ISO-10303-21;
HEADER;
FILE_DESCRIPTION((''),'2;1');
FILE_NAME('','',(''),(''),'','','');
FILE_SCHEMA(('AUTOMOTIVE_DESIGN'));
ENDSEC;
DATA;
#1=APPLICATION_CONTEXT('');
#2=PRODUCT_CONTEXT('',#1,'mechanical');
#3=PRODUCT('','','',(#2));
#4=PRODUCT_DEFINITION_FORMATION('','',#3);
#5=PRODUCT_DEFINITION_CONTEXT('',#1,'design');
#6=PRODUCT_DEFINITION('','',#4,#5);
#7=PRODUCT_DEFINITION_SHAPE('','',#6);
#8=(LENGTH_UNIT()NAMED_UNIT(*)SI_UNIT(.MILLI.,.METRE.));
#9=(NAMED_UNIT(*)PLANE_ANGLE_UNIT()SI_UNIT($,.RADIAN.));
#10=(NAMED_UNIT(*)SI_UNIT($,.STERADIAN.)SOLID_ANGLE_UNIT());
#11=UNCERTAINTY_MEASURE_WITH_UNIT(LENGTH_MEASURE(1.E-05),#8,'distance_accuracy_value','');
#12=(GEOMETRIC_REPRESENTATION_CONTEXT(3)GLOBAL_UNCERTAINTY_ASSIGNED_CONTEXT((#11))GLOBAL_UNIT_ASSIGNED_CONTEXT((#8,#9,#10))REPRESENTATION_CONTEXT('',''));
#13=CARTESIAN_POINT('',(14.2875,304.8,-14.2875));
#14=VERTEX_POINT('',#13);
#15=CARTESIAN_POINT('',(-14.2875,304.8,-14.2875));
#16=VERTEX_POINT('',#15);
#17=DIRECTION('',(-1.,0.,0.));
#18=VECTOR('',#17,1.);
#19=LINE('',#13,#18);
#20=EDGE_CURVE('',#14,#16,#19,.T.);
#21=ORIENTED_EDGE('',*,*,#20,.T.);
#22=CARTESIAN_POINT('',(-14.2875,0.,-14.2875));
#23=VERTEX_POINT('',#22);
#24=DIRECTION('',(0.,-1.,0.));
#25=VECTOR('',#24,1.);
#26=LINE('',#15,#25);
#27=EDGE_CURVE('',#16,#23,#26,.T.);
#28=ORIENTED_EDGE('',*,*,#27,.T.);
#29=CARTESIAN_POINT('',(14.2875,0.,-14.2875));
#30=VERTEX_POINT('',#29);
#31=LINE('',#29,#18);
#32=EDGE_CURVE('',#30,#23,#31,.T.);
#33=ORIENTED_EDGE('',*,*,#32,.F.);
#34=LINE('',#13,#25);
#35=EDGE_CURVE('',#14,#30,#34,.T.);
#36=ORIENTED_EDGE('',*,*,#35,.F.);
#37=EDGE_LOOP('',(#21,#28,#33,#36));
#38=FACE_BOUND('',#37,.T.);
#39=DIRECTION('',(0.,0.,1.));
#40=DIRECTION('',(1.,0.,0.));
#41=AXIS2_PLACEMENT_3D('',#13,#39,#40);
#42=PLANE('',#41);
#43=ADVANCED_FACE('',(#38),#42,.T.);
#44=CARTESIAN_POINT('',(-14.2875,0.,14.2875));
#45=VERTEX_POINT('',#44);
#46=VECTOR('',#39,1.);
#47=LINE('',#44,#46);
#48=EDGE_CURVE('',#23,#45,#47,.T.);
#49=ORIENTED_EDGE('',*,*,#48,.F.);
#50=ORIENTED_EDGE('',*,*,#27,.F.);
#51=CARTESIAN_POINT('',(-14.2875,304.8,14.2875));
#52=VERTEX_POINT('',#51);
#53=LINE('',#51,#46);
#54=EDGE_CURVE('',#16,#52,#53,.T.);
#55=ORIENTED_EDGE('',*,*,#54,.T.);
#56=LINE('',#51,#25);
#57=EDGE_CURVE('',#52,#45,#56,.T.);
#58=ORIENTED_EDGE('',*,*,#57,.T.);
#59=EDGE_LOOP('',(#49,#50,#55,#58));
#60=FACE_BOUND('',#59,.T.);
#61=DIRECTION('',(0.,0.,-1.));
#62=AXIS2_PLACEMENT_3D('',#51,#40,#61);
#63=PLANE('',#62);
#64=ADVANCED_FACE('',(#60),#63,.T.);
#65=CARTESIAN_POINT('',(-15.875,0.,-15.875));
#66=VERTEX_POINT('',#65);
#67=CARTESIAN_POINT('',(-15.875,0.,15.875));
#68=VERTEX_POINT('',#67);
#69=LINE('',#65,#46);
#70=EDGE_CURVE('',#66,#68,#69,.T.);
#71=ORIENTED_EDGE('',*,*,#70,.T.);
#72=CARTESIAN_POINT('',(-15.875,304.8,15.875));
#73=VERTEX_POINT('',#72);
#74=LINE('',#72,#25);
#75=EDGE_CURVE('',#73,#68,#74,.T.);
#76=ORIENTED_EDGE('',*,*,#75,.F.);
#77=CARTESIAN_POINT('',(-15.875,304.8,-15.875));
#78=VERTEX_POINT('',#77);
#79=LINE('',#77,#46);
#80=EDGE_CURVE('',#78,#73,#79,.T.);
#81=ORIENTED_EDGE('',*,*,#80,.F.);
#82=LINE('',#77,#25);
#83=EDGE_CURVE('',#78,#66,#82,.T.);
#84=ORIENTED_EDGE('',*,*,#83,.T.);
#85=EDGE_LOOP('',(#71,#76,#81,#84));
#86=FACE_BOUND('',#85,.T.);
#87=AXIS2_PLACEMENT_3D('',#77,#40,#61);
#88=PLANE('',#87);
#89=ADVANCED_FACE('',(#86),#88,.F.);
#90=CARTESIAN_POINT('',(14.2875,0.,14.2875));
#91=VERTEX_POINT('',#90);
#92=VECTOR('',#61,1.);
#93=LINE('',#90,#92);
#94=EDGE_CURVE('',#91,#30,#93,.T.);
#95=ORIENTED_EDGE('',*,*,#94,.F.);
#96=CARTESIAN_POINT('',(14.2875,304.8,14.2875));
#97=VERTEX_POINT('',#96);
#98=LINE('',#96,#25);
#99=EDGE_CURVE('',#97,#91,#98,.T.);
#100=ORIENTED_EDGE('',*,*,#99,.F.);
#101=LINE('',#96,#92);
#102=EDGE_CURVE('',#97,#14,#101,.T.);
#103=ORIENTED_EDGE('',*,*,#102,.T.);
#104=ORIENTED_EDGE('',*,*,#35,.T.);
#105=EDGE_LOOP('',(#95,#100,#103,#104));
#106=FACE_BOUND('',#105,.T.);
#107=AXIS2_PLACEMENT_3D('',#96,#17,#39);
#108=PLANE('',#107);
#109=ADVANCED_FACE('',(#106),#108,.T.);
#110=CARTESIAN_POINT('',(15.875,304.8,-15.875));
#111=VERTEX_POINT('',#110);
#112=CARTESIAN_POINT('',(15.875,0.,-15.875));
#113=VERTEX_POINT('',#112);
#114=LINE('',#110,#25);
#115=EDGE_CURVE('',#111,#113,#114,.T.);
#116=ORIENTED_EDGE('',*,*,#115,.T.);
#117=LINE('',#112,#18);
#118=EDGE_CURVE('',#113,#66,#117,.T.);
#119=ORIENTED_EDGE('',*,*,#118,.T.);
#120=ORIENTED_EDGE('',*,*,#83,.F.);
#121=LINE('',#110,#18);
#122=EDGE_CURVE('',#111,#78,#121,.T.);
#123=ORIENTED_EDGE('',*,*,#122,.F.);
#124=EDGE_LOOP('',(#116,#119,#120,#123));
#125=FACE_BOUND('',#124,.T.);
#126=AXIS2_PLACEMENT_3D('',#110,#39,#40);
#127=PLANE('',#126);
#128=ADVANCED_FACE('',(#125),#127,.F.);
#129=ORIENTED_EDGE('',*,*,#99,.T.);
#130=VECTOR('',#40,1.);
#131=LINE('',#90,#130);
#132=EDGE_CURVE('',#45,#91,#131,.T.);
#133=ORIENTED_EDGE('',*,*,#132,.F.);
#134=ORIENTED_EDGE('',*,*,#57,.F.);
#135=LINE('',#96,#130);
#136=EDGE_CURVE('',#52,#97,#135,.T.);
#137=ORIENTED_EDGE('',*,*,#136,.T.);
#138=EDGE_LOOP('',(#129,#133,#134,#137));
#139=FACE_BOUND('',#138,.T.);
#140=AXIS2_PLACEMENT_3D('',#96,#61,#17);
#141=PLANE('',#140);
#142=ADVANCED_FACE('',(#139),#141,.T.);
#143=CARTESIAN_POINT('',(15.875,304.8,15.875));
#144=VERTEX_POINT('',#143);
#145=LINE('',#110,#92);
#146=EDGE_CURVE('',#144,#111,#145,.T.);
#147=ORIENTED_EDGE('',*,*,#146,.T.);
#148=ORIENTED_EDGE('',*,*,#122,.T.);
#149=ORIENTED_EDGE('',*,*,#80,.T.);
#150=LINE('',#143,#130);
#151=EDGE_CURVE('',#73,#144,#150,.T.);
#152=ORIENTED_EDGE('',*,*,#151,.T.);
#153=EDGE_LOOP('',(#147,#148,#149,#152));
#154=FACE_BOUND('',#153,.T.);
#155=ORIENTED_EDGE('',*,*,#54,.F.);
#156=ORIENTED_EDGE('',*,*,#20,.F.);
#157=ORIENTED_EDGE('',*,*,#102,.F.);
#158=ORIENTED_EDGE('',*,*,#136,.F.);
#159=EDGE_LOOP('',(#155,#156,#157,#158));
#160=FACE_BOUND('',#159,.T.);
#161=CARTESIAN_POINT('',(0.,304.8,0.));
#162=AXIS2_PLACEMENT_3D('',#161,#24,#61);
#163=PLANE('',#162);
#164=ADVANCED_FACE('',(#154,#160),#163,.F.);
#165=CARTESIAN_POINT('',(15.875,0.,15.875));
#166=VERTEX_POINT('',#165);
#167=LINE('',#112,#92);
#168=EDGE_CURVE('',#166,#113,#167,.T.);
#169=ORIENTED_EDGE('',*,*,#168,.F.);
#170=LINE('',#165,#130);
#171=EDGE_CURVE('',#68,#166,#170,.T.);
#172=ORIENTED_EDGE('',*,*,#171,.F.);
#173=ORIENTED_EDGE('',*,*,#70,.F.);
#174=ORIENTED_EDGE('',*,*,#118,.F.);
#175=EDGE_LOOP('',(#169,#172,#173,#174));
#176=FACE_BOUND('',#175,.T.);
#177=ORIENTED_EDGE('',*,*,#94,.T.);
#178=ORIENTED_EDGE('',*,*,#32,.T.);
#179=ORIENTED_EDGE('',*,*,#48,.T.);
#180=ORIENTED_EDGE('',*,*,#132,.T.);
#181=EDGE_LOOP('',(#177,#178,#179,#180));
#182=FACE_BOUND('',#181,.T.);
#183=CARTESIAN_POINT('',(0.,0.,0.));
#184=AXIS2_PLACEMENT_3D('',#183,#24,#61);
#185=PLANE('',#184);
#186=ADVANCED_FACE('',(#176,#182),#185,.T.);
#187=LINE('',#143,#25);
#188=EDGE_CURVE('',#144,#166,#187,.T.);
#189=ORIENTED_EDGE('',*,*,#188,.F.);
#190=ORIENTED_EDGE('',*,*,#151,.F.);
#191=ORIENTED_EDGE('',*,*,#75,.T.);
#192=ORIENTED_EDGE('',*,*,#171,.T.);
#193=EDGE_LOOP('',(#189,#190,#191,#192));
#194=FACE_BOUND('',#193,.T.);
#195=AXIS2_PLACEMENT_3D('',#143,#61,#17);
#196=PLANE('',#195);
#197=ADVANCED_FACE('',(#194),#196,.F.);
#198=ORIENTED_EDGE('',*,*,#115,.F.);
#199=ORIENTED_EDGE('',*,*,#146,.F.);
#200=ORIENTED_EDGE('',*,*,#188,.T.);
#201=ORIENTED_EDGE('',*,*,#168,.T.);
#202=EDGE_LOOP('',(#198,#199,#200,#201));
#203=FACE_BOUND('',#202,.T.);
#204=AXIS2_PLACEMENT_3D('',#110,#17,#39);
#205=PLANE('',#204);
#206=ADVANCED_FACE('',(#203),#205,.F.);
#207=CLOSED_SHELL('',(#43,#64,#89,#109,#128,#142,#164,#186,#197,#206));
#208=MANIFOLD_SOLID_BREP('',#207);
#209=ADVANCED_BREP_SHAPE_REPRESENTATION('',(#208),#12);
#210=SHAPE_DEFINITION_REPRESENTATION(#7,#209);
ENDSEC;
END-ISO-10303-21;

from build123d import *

# Parameters (mm, degrees)
SKETCH1_W           = 31.75
SKETCH1_H           = 31.75
SKETCH1_W_2         = 28.575
SKETCH1_H_2         = 28.575
BOSS_EXTRUDE1_DEPTH = 304.8


with BuildPart() as part:
    # Sketch1 → Boss-Extrude1 (new body)
    with BuildSketch(Plane(origin=(0, 0, 0), x_dir=(1, 0, 0), z_dir=(0, 1, 0))):
        Rectangle(SKETCH1_W, SKETCH1_H)
        Rectangle(SKETCH1_W_2, SKETCH1_H_2, mode=Mode.SUBTRACT)
    extrude(amount=BOSS_EXTRUDE1_DEPTH)


solid = part.part
